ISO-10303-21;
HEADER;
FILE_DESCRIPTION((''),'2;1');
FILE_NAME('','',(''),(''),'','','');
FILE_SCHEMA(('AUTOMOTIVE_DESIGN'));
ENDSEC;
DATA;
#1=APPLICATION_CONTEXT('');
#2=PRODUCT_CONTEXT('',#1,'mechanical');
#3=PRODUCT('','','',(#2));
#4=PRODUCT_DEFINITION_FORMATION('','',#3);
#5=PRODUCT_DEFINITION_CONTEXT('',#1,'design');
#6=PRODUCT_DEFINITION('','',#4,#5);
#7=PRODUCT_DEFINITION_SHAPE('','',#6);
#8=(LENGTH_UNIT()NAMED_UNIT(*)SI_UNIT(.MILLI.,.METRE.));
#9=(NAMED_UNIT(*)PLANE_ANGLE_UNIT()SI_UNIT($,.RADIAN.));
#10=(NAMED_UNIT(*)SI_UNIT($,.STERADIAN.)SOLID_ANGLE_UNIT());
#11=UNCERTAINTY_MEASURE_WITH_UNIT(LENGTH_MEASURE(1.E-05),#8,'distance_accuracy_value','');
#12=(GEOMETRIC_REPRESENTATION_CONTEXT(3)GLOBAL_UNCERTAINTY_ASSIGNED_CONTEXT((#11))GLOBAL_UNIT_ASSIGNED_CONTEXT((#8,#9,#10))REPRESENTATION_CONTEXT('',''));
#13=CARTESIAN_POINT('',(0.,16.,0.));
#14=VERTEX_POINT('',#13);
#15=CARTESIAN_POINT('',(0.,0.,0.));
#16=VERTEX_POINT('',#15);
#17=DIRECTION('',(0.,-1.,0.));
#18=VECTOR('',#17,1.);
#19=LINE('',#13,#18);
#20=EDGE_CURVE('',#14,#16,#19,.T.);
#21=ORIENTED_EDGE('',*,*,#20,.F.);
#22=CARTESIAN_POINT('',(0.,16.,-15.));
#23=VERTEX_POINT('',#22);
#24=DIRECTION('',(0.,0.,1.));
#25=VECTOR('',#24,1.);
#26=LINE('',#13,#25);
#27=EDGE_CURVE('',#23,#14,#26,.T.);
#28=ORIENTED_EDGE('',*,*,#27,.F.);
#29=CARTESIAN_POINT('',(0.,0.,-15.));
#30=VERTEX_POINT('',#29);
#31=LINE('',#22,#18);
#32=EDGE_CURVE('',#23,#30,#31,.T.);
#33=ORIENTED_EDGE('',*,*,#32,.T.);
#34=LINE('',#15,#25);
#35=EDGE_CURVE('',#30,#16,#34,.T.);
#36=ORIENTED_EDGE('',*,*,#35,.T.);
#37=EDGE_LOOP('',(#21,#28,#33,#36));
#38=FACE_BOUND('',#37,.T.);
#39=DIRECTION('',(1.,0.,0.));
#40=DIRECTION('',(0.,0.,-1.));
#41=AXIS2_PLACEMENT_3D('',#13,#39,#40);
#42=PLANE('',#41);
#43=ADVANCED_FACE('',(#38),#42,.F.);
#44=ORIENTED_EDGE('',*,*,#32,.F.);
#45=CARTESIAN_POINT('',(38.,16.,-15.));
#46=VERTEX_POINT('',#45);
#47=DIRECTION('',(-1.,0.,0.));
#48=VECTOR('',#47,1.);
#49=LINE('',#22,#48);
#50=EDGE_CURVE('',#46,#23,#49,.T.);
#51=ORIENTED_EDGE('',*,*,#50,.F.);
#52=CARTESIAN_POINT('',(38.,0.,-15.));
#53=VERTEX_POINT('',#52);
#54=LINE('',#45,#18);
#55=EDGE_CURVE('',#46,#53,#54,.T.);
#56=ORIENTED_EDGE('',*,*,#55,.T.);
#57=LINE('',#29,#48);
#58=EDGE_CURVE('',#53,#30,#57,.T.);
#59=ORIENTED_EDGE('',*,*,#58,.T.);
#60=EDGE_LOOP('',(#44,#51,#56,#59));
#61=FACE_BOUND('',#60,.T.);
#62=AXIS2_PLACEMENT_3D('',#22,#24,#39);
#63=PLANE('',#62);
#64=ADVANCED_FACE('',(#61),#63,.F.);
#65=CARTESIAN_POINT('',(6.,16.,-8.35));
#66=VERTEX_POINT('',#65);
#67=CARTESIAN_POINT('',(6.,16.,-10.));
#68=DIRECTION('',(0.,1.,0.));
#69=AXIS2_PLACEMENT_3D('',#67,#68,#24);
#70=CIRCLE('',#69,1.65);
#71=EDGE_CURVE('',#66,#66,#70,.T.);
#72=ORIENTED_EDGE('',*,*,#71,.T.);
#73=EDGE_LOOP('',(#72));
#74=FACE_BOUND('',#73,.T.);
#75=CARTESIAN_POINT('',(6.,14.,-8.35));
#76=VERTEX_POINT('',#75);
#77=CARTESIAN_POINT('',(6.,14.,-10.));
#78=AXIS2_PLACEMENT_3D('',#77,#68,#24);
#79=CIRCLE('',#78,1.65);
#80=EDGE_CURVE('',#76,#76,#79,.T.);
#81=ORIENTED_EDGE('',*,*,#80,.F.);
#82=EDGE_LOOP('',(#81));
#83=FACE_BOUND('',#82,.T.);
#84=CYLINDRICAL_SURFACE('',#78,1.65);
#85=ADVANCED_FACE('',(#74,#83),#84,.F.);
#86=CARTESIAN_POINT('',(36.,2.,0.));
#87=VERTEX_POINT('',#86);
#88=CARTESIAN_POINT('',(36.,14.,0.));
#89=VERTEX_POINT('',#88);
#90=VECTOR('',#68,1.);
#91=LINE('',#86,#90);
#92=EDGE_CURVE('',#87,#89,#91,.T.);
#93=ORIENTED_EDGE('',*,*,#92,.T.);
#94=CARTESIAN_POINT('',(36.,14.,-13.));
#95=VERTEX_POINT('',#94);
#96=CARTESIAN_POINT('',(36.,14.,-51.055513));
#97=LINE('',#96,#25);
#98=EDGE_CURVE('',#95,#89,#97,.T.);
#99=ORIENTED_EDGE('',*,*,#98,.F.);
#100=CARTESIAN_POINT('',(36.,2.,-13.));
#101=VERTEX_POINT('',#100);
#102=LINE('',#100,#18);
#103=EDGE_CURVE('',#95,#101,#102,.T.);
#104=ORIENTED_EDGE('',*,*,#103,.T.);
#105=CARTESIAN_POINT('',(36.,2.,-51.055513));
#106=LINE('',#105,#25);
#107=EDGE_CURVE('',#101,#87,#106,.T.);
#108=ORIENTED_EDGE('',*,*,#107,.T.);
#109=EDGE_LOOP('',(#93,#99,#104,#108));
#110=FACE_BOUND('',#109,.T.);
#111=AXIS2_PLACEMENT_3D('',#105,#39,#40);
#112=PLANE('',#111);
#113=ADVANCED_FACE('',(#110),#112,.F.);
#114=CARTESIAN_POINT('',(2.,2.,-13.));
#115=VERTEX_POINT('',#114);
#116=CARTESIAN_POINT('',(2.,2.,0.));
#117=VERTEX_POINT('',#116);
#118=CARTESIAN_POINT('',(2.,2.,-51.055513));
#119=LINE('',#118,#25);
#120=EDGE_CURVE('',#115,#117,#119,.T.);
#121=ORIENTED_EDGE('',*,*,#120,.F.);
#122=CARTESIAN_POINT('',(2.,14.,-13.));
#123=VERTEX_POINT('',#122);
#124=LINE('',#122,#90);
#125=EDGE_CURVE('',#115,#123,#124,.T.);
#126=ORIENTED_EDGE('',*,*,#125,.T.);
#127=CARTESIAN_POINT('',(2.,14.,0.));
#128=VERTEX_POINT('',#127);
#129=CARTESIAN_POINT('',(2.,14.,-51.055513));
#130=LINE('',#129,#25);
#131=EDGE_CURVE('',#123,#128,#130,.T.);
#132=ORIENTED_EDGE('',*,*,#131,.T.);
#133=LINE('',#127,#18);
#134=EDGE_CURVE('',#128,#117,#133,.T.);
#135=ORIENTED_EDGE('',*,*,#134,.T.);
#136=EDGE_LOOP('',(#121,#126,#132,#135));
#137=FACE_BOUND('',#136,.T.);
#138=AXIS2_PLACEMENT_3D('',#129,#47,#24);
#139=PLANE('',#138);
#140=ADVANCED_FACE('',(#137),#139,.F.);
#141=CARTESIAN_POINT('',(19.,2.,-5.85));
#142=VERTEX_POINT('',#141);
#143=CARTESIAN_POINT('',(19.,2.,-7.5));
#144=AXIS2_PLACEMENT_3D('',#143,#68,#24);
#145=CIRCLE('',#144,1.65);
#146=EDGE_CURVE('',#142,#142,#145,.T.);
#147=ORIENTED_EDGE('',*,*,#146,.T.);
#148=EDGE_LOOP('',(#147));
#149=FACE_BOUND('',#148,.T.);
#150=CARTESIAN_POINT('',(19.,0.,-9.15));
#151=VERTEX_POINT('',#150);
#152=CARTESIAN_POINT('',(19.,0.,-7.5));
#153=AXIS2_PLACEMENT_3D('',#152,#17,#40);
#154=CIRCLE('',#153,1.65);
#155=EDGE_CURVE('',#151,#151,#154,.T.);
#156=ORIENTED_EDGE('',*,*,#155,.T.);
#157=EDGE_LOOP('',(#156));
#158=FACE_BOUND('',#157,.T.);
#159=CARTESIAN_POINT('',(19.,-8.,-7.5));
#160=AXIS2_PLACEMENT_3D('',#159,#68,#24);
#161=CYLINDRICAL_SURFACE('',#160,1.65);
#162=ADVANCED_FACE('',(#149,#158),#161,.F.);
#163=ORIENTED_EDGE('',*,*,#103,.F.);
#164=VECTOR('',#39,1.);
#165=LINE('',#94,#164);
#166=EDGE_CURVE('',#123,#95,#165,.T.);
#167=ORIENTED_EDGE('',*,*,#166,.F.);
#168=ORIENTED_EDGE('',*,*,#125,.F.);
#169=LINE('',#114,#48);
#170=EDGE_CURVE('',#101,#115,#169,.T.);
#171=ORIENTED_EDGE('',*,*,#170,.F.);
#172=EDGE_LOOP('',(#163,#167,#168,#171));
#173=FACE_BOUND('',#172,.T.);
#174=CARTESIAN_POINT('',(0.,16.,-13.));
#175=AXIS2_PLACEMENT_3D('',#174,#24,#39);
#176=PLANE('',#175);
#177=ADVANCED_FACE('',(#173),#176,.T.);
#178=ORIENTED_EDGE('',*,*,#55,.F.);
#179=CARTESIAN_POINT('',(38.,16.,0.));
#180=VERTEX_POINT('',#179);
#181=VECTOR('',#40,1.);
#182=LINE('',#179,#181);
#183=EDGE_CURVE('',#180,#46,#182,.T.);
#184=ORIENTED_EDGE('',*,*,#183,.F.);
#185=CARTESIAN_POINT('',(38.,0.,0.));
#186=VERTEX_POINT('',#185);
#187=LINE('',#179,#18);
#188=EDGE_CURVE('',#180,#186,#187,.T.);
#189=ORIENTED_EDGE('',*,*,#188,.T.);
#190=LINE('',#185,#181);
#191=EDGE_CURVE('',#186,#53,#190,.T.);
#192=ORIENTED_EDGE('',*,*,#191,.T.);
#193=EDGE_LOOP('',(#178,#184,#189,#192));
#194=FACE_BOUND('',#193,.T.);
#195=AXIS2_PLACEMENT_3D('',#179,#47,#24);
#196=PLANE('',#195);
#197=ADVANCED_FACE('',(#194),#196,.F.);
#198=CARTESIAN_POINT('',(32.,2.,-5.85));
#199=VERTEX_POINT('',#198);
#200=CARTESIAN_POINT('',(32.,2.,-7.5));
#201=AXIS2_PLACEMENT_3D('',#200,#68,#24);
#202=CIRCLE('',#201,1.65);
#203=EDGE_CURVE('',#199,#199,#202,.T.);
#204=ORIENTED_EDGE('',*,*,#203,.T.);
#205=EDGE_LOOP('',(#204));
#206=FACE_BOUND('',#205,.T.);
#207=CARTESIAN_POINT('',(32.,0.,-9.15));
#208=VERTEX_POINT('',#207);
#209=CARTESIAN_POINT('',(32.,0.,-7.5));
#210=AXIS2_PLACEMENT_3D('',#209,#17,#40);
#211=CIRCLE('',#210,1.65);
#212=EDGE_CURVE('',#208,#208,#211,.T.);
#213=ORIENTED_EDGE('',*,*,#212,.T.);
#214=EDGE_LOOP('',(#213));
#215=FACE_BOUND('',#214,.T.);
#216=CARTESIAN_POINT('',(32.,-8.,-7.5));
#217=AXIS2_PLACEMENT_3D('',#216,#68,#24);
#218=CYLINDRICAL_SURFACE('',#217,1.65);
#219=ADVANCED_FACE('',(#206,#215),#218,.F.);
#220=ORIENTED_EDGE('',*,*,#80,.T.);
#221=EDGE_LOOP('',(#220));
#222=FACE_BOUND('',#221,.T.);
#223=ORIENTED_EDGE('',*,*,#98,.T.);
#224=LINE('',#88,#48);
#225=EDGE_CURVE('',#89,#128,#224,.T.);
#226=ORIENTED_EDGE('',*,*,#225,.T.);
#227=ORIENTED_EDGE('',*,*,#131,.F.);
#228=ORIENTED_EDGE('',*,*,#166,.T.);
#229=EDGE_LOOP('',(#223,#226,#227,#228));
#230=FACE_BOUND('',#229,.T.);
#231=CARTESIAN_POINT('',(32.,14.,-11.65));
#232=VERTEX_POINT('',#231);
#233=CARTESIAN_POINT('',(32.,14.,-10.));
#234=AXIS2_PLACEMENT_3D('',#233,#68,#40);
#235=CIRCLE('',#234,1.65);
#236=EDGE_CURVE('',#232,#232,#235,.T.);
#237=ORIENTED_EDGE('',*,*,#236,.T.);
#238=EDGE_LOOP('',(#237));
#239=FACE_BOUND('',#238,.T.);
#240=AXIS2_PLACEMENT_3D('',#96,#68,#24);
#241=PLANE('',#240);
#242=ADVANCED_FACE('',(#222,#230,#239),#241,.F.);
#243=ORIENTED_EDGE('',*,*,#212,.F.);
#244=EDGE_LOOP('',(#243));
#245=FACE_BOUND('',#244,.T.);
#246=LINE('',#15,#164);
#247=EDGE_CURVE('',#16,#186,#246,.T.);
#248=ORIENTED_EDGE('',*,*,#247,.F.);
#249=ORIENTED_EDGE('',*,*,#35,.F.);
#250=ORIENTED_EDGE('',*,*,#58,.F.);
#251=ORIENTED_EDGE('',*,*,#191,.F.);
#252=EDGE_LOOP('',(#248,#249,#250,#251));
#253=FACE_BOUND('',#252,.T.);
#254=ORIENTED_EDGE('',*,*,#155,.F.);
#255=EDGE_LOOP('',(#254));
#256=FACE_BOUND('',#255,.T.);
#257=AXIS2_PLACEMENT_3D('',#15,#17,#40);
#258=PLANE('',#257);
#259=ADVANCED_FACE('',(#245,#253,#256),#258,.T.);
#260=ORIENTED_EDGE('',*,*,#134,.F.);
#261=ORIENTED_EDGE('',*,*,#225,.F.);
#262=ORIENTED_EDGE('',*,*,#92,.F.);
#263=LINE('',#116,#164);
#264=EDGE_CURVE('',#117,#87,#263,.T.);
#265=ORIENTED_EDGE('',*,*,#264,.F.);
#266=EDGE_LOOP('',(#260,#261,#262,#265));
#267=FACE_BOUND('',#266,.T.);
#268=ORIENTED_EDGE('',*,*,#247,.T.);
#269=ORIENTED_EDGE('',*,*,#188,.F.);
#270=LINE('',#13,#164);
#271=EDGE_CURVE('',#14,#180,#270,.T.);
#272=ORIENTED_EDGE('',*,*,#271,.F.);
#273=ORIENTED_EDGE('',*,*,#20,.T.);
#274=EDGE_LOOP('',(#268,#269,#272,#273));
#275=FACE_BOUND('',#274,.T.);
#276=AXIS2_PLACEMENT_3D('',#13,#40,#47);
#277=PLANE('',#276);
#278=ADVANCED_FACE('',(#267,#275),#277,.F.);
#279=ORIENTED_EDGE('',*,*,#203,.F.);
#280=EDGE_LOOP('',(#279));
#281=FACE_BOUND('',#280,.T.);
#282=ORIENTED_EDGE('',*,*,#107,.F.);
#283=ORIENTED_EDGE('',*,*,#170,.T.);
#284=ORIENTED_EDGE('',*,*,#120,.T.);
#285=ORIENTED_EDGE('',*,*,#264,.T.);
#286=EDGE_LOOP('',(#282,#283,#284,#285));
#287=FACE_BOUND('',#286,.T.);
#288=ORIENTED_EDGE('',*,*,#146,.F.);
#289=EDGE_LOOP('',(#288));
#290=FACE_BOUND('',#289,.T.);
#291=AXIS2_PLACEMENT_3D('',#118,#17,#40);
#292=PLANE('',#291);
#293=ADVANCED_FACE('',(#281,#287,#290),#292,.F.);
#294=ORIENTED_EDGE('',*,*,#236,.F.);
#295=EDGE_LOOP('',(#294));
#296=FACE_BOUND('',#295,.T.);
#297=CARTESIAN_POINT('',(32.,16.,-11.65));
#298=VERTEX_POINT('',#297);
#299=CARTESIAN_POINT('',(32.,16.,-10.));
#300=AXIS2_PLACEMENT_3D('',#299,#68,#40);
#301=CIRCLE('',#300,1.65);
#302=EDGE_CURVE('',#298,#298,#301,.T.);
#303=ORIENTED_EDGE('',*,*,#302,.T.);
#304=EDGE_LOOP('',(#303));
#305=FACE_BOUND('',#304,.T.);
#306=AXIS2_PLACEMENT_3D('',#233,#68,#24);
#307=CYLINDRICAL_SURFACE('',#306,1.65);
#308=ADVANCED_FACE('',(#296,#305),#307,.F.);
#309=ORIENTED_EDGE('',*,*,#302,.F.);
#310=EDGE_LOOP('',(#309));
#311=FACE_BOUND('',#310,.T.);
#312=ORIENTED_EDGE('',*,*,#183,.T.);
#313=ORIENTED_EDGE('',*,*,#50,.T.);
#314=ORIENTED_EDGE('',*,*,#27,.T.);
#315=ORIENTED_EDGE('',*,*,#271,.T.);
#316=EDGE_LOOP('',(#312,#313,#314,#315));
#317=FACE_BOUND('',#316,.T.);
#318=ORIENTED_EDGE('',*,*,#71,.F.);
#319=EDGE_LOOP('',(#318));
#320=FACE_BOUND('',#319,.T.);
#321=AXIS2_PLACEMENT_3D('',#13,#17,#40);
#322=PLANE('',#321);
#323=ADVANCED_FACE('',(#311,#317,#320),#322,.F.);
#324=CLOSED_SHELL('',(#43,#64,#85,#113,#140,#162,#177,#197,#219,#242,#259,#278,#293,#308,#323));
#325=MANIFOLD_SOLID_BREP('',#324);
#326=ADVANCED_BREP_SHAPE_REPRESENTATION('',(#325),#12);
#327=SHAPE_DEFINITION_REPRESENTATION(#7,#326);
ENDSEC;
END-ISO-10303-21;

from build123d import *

# Parameters (mm, degrees)
SKETCH_1_W          = 38
SKETCH_1_H          = 15
EXTRUDE_1_DEPTH     = 16
SKETCH_2_W          = 34
SKETCH_2_H          = 12
CUT_EXTRUDE_1_DEPTH = 13
SKETCH_3_R          = 1.65
CUT_EXTRUDE_2_DEPTH = 2
SKETCH_4_R          = 1.65
CUT_EXTRUDE_3_DEPTH = 10


with BuildPart() as part:
    # 草图1 → 凸台-拉伸1 (new body)
    with BuildSketch(Plane(origin=(0, 0, 0), x_dir=(1, 0, 0), z_dir=(0, 1, 0))):
        with Locations((19, 7.5)):
            Rectangle(SKETCH_1_W, SKETCH_1_H)
    extrude(amount=EXTRUDE_1_DEPTH)

    # 草图2 → 切除-拉伸1 (cut)
    with BuildSketch(Plane.XY):
        with Locations((19, 8)):
            Rectangle(SKETCH_2_W, SKETCH_2_H)
    extrude(amount=-CUT_EXTRUDE_1_DEPTH, mode=Mode.SUBTRACT)

    # 草图3 → 切除-拉伸2 (cut)
    with BuildSketch(Plane(origin=(0, 16, 0), x_dir=(1, 0, 0), z_dir=(0, 1, 0))):
        with Locations(Location((6, 10, 0), (0, 0, 270))):
            Circle(SKETCH_3_R)
        with Locations(Location((32, 10, 0), (0, 0, 90))):
            Circle(SKETCH_3_R)
    extrude(amount=-CUT_EXTRUDE_2_DEPTH, mode=Mode.SUBTRACT)

    # 草图4 → 切除-拉伸3 (cut)
    with BuildSketch(Plane(origin=(0, 2, 0), x_dir=(1, 0, 0), z_dir=(0, 1, 0))):
        with Locations(Location((19, 7.5, 0), (0, 0, 270))):
            Circle(SKETCH_4_R)
        with Locations(Location((32, 7.5, 0), (0, 0, 270))):
            Circle(SKETCH_4_R)
    extrude(amount=-CUT_EXTRUDE_3_DEPTH, mode=Mode.SUBTRACT)


solid = part.part
